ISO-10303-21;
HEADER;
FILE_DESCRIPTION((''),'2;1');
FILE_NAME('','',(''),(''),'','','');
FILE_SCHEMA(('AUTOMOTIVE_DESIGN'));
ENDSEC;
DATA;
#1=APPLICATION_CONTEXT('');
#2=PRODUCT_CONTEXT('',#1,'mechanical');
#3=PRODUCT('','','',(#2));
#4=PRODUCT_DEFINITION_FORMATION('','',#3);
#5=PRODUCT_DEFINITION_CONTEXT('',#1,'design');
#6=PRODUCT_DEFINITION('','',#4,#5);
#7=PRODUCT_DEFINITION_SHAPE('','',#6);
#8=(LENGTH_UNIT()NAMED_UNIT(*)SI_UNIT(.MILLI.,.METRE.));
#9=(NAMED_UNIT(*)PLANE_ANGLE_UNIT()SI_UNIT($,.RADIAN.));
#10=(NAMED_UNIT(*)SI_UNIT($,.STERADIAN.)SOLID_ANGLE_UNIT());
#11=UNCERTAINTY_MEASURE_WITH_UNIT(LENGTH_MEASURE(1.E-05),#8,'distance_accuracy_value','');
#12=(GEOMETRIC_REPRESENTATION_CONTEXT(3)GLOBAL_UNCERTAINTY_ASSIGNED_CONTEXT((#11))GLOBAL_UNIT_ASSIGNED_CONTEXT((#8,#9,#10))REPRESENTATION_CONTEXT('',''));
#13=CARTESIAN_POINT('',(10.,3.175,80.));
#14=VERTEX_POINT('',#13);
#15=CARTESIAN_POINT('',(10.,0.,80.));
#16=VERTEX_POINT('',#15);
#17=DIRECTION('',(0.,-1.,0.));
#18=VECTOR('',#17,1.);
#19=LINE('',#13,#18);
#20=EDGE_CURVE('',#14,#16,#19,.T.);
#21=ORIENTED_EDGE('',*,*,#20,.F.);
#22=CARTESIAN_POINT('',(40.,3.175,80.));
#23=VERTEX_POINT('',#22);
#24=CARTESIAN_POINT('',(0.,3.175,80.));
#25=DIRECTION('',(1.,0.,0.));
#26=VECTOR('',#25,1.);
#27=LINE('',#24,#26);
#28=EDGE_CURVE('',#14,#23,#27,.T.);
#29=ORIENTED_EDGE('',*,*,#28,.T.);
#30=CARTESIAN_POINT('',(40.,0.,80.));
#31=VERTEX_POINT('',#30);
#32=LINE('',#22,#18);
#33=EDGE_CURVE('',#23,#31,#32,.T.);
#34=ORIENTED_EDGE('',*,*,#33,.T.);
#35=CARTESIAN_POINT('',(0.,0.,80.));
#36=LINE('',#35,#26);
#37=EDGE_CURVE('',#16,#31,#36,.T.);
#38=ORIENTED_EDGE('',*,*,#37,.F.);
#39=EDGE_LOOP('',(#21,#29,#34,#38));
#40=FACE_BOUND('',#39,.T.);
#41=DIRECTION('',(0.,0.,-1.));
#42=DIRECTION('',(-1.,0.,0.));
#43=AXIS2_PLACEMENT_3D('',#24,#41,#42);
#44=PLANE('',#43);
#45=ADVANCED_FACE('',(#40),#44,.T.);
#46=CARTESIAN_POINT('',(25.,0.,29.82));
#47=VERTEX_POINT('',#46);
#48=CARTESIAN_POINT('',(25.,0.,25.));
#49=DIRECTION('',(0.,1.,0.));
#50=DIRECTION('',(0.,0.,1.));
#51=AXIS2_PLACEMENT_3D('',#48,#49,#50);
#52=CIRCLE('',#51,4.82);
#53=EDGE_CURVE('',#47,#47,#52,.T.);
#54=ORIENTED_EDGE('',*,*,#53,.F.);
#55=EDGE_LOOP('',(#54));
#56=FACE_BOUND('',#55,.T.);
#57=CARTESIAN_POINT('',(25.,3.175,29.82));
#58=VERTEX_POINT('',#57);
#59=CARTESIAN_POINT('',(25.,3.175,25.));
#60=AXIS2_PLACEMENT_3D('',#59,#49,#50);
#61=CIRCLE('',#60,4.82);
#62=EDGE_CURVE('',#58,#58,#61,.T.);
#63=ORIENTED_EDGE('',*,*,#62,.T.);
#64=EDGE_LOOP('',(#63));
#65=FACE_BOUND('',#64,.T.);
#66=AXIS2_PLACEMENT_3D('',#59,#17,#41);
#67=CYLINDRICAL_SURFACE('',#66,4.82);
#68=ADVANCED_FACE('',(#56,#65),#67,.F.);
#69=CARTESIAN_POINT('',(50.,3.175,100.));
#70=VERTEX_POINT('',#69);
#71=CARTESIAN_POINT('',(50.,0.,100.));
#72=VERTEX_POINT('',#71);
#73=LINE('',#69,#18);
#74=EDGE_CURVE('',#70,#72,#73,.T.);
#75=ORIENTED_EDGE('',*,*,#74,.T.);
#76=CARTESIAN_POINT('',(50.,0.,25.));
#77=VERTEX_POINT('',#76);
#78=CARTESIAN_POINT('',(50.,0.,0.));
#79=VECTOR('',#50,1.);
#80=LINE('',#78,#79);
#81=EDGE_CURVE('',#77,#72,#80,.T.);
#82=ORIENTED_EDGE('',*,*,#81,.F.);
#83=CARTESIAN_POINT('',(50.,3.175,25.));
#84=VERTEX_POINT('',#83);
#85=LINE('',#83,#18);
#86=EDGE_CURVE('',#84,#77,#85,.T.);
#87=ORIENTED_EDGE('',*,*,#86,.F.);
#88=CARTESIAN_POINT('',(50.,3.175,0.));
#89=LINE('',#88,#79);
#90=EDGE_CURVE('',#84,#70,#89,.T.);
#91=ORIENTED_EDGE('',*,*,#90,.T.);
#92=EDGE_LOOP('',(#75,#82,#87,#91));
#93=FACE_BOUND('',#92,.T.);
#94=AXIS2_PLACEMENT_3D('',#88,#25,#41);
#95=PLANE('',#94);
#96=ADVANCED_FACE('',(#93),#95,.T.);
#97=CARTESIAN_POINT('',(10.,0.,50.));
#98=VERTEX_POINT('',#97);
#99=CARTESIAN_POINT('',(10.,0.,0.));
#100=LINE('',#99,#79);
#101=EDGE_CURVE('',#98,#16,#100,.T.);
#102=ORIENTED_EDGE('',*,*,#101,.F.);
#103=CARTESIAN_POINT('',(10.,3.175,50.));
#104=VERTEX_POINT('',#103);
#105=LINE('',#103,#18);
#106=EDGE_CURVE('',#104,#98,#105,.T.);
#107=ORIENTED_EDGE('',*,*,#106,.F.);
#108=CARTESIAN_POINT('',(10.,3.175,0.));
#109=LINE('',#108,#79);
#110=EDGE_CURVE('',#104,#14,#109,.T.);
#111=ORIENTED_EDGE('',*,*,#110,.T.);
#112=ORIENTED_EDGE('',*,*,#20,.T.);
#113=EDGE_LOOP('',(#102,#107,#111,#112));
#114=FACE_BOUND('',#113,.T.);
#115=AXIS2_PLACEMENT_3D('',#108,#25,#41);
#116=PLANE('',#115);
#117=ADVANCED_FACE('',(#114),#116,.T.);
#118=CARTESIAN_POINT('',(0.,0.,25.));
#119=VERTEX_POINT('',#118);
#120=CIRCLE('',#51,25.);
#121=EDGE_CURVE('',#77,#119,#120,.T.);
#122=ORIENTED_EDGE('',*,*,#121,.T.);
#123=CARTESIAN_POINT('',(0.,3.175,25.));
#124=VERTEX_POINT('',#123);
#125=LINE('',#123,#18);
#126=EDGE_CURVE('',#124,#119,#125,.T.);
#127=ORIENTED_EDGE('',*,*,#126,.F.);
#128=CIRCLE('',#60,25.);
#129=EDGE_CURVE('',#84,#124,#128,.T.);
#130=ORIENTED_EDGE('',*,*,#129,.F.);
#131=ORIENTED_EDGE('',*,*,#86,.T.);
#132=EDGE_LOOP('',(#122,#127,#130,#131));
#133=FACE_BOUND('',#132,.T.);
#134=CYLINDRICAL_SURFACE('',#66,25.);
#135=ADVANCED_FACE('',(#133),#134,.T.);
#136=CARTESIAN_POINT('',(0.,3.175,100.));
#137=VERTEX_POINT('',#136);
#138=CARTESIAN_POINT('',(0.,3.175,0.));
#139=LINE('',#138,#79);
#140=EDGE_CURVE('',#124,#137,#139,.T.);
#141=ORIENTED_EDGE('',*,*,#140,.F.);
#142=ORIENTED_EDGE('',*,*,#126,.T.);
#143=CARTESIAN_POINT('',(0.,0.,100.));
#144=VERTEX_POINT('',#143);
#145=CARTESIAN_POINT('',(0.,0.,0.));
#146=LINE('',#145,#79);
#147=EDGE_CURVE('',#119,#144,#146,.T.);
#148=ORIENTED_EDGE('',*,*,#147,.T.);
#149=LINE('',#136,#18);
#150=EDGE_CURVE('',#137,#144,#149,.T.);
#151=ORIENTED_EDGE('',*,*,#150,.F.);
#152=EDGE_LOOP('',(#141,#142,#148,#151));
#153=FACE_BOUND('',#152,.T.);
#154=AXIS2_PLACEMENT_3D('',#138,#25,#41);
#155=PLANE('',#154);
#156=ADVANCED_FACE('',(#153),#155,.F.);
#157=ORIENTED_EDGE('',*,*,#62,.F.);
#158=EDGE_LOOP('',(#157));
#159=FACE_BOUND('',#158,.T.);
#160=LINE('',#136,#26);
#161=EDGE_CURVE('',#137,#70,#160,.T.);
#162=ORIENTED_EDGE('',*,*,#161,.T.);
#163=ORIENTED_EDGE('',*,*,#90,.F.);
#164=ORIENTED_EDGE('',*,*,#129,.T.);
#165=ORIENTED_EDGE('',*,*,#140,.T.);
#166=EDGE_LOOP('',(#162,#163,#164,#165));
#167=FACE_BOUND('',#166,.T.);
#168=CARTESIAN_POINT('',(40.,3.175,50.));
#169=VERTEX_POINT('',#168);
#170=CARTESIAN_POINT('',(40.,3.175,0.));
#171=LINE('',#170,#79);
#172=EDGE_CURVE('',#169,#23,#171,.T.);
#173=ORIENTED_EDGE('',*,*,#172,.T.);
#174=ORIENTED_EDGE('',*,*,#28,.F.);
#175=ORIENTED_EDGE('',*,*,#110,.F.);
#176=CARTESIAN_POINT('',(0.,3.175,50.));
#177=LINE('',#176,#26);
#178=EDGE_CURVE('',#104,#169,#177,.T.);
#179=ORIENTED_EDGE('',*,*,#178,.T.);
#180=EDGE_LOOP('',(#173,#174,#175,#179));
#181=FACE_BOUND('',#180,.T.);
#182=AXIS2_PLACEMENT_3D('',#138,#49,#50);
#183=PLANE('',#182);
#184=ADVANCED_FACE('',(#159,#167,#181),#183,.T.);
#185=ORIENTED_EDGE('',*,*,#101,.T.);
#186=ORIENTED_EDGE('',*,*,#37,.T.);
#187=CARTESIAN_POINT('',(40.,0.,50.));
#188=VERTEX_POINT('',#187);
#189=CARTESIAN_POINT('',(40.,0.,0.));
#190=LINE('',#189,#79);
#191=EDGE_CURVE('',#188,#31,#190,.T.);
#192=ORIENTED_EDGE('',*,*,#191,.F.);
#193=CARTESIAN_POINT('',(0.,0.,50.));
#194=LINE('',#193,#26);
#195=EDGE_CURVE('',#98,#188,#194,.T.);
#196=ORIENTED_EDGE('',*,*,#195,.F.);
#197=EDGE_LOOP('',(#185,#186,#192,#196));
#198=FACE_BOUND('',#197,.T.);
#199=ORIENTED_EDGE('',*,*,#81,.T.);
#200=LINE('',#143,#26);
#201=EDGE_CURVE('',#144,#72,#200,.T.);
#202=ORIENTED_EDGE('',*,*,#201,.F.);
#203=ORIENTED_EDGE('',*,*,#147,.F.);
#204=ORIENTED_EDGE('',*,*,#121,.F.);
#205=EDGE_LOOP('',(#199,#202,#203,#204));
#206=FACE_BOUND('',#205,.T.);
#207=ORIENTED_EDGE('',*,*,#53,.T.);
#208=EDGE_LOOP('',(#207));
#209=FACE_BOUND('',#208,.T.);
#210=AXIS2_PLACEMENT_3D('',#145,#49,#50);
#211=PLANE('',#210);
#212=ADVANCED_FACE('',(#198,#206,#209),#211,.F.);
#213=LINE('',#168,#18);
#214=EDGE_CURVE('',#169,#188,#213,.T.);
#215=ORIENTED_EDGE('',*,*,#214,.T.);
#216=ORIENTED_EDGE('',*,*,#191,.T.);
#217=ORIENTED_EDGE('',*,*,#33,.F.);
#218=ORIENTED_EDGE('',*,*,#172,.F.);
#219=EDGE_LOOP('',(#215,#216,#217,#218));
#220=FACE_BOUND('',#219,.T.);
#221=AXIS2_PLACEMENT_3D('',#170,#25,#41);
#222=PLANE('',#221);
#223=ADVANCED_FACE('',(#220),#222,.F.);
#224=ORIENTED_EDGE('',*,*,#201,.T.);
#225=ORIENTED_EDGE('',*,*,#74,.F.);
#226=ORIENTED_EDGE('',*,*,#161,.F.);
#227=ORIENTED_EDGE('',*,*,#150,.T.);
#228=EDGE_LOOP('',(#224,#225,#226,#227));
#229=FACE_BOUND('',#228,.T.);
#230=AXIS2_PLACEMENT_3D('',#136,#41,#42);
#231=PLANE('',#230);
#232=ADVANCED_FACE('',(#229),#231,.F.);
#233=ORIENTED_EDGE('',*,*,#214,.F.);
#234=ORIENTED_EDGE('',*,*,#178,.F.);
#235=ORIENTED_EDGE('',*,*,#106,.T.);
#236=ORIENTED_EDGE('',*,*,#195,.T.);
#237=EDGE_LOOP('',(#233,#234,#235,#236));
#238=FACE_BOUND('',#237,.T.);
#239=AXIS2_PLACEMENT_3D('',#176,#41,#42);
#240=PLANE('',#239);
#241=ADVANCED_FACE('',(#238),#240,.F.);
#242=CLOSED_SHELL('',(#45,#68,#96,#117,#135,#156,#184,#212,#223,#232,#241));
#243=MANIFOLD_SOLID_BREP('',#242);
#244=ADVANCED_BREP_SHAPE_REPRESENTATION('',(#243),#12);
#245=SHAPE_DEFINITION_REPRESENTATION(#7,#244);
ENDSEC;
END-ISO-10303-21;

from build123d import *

# Parameters (mm, degrees)
SKETCH1_R           = 4.82
SKETCH1_W           = 30
SKETCH1_H           = 30
BOSS_EXTRUDE1_DEPTH = 3.175


with BuildPart() as part:
    # Sketch1 → Boss-Extrude1 (new body)
    with BuildSketch(Plane(origin=(0, 0, 0), x_dir=(1, 0, 0), z_dir=(0, 1, 0))):
        with BuildLine():
            ThreePointArc((50, -25), (25, 0), (0, -25))
            Line((0, -25), (0, -100))
            Line((0, -100), (50, -100))
            Line((50, -100), (50, -25))
        make_face()
        with Locations(Location((25, -25, 0), (0, 0, 270))):
            Circle(SKETCH1_R, mode=Mode.SUBTRACT)
        with Locations((25, -65)):
            Rectangle(SKETCH1_W, SKETCH1_H, mode=Mode.SUBTRACT)
    extrude(amount=BOSS_EXTRUDE1_DEPTH)


solid = part.part
